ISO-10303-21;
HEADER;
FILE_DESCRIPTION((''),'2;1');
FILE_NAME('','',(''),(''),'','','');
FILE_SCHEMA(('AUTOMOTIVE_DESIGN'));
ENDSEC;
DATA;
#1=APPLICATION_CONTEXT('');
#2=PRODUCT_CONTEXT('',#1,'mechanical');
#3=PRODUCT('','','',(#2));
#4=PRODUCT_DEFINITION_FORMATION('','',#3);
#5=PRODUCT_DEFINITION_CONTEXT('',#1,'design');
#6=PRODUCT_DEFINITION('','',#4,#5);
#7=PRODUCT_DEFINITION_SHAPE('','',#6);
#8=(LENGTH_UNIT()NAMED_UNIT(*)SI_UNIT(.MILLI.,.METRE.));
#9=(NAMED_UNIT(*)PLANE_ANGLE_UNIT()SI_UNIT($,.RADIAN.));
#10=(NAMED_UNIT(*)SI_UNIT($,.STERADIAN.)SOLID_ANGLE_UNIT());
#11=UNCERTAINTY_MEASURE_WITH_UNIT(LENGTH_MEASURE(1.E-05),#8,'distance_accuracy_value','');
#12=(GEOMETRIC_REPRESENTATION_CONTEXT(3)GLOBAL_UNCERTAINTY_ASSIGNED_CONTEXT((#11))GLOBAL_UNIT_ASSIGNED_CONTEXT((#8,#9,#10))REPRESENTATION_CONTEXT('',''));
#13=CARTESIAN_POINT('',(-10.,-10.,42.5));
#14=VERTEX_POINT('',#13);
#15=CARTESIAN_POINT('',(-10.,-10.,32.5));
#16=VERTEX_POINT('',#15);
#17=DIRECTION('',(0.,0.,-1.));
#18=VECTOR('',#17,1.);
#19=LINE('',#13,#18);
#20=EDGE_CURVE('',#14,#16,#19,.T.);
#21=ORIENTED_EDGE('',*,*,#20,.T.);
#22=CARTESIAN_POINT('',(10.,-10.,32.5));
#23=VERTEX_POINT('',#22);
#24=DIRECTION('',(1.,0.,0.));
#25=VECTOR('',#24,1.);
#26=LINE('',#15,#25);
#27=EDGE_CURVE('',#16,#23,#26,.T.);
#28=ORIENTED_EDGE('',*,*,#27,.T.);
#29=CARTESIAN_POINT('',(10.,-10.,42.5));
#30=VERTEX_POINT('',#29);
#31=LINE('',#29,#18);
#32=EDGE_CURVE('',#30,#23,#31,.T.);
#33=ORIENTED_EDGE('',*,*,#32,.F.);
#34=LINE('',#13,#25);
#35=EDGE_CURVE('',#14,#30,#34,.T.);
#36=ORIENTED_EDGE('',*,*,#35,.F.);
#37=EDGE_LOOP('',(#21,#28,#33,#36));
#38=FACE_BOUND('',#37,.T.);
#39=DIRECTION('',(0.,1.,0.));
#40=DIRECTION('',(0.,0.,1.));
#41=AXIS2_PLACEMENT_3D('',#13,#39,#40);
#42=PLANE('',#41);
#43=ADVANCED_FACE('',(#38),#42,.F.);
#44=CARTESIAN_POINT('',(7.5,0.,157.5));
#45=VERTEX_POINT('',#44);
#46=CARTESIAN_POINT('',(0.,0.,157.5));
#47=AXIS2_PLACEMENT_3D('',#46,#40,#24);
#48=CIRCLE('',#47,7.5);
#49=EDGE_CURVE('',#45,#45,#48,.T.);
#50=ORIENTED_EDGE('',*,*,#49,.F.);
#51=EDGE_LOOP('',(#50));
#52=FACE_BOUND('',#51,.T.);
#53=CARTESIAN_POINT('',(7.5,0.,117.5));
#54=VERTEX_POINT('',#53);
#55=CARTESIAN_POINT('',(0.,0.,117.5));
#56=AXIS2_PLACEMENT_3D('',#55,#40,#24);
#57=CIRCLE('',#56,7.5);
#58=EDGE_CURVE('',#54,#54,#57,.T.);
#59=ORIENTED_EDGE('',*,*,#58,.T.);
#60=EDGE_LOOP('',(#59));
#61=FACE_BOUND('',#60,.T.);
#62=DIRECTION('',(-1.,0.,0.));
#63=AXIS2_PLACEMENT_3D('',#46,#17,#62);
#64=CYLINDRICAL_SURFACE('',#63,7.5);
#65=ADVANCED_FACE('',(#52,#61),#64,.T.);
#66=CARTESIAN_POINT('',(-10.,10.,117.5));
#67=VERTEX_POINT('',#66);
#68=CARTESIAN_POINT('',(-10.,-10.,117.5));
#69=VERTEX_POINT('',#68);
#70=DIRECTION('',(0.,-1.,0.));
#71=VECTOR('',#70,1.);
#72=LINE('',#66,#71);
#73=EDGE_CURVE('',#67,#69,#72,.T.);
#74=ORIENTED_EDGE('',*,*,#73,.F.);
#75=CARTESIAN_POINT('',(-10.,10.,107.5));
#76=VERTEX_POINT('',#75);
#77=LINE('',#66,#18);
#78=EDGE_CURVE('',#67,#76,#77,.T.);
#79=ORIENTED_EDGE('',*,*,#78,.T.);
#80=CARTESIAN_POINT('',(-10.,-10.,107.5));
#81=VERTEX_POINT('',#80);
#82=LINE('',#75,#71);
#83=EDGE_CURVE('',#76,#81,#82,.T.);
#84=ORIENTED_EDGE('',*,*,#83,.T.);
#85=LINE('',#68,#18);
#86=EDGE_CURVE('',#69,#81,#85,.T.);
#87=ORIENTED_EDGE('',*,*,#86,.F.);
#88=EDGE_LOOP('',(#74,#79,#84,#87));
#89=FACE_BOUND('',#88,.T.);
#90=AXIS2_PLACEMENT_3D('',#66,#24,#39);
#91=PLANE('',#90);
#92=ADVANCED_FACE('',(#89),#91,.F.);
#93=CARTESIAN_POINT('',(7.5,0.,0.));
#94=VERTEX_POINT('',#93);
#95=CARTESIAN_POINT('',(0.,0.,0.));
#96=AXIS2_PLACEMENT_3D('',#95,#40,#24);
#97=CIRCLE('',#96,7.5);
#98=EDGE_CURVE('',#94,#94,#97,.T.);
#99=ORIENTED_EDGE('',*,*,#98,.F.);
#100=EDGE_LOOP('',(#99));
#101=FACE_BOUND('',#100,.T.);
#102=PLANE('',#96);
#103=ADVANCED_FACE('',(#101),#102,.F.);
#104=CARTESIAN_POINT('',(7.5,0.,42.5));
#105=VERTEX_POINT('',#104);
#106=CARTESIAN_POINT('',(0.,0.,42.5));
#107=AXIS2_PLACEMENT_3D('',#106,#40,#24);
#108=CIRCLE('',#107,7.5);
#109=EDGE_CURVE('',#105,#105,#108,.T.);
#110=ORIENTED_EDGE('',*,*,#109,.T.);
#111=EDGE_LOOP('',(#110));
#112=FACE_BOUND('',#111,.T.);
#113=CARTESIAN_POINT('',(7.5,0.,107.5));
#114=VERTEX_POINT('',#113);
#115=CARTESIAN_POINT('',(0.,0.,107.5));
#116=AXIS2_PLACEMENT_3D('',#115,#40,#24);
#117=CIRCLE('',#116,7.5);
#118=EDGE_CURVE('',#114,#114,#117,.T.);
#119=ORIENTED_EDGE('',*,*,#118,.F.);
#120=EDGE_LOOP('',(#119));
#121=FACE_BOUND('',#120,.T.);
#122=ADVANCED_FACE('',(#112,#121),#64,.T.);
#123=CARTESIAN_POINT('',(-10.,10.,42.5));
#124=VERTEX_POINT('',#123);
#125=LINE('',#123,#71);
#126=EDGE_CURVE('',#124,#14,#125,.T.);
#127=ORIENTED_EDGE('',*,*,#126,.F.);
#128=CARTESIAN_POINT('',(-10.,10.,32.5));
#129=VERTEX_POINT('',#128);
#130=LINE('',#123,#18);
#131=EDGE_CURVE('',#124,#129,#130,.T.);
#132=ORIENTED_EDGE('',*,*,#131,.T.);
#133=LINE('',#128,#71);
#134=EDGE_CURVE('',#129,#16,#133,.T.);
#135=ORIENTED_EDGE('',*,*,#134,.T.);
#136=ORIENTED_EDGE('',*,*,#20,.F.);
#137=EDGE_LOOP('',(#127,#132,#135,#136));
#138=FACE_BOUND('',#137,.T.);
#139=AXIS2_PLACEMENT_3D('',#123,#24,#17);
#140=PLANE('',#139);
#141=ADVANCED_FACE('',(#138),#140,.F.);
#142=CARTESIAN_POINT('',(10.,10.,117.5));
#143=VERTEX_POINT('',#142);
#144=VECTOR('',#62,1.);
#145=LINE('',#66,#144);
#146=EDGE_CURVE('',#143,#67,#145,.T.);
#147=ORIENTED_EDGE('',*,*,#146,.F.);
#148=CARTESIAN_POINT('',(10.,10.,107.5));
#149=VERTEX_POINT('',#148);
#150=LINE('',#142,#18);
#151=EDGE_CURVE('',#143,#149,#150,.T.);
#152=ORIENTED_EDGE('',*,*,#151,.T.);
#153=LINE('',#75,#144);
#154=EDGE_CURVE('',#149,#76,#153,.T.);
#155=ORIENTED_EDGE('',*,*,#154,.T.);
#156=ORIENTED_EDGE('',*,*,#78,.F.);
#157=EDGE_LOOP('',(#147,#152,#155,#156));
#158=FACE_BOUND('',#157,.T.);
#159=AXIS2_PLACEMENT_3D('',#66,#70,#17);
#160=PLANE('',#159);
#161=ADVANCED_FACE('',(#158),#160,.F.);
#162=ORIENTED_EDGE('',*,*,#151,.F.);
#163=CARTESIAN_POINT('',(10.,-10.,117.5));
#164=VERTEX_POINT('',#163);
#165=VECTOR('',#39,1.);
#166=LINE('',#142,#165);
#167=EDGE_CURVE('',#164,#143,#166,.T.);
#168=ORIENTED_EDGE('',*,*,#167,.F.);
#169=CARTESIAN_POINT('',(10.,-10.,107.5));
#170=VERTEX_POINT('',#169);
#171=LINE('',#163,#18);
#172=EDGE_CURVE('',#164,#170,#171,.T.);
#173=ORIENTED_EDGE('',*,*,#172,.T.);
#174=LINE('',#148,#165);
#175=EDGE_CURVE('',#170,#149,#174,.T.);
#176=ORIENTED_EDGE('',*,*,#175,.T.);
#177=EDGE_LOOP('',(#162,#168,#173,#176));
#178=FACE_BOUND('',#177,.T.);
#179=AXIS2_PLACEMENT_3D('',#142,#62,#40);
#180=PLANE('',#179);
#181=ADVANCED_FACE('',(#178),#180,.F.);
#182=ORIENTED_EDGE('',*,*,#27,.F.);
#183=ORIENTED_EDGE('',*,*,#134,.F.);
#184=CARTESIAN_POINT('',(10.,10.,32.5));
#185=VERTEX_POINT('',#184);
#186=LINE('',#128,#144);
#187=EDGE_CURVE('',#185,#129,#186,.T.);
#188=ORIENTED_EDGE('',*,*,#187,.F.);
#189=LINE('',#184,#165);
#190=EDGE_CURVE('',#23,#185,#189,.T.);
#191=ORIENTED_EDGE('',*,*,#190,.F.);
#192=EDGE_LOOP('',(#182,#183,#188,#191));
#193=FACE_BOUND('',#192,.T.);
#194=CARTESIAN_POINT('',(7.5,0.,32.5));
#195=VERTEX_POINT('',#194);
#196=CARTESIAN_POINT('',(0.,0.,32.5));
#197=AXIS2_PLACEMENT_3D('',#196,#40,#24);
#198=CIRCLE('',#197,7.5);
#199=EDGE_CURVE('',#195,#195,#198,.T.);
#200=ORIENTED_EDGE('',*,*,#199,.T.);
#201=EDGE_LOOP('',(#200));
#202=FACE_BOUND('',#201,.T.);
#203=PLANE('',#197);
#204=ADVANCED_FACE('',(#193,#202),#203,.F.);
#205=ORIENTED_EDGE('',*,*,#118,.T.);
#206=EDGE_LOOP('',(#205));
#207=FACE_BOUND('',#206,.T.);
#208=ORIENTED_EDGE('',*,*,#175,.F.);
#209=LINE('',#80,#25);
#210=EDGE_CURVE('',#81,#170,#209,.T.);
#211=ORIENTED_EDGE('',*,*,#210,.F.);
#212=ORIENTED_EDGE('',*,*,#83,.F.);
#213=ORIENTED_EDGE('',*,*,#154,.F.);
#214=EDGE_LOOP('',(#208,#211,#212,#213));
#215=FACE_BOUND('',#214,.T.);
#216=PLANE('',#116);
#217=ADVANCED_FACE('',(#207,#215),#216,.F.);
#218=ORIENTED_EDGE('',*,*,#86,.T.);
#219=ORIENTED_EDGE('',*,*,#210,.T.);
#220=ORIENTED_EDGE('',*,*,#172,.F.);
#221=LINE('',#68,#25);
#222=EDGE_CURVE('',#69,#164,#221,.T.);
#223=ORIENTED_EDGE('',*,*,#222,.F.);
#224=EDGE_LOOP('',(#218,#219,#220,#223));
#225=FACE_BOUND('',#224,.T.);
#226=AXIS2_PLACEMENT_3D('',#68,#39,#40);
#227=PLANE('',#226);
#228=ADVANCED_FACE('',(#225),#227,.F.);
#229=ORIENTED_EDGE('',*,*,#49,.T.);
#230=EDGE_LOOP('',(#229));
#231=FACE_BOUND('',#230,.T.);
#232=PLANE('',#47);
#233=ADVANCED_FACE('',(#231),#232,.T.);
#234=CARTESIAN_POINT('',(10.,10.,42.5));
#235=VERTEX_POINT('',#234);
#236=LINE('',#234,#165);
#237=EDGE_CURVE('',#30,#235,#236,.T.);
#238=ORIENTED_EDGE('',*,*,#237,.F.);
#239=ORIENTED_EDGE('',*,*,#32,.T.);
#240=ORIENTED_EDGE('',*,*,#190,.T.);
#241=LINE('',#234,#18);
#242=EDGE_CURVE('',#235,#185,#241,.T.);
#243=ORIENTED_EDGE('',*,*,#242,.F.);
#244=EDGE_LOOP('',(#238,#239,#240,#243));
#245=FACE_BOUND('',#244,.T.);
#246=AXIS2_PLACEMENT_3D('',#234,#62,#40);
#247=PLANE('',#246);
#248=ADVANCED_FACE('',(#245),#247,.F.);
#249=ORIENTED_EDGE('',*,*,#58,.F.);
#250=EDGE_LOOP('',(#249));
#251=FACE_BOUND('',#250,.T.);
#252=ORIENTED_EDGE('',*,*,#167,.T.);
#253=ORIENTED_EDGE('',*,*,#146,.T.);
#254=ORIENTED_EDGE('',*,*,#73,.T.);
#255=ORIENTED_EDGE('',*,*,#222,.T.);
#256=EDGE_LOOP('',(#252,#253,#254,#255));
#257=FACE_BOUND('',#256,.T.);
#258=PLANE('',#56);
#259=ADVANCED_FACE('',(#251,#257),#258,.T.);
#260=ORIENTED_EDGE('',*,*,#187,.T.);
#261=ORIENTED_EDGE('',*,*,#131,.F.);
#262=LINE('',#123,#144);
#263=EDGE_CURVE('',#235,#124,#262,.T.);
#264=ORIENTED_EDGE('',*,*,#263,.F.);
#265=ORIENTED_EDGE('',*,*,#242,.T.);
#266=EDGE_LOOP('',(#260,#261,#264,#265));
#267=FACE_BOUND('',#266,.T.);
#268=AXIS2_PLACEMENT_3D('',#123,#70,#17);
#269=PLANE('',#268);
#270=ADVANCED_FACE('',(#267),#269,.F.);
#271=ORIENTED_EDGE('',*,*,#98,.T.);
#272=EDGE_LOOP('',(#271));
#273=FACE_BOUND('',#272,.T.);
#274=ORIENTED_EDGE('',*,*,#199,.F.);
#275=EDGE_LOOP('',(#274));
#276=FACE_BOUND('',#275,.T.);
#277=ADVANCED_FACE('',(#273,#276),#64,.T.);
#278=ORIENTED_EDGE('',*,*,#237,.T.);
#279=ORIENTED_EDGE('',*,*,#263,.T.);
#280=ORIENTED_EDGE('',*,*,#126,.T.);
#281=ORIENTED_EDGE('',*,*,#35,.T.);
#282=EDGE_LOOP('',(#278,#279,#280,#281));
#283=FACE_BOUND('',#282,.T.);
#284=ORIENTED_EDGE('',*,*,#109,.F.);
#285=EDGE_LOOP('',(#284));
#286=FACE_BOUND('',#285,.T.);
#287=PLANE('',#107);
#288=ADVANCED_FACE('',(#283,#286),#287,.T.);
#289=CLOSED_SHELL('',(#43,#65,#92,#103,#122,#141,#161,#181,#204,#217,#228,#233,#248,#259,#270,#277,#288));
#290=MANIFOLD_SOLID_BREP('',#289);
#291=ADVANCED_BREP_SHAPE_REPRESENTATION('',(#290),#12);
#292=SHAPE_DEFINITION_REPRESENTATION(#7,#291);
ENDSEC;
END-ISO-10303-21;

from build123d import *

# Parameters (mm, degrees)
SKETCH1_R           = 7.5
BOSS_EXTRUDE1_DEPTH = 157.5
SKETCH2_W           = 20
SKETCH2_H           = 20
BOSS_EXTRUDE2_DEPTH = 10
SKETCH3_W           = 20
SKETCH3_H           = 20
BOSS_EXTRUDE3_DEPTH = 10


with BuildPart() as part:
    # Sketch1 → Boss-Extrude1 (new body)
    with BuildSketch(Plane.XY):
        Circle(SKETCH1_R)
    extrude(amount=BOSS_EXTRUDE1_DEPTH)

    # Sketch2 → Boss-Extrude2 (add)
    with BuildSketch(Plane.XY.offset(107.5)):
        Rectangle(SKETCH2_W, SKETCH2_H)
    extrude(amount=BOSS_EXTRUDE2_DEPTH)

    # Sketch3 → Boss-Extrude3 (add)
    with BuildSketch(Plane.XY.offset(32.5)):
        Rectangle(SKETCH3_W, SKETCH3_H)
    extrude(amount=BOSS_EXTRUDE3_DEPTH)


solid = part.part
